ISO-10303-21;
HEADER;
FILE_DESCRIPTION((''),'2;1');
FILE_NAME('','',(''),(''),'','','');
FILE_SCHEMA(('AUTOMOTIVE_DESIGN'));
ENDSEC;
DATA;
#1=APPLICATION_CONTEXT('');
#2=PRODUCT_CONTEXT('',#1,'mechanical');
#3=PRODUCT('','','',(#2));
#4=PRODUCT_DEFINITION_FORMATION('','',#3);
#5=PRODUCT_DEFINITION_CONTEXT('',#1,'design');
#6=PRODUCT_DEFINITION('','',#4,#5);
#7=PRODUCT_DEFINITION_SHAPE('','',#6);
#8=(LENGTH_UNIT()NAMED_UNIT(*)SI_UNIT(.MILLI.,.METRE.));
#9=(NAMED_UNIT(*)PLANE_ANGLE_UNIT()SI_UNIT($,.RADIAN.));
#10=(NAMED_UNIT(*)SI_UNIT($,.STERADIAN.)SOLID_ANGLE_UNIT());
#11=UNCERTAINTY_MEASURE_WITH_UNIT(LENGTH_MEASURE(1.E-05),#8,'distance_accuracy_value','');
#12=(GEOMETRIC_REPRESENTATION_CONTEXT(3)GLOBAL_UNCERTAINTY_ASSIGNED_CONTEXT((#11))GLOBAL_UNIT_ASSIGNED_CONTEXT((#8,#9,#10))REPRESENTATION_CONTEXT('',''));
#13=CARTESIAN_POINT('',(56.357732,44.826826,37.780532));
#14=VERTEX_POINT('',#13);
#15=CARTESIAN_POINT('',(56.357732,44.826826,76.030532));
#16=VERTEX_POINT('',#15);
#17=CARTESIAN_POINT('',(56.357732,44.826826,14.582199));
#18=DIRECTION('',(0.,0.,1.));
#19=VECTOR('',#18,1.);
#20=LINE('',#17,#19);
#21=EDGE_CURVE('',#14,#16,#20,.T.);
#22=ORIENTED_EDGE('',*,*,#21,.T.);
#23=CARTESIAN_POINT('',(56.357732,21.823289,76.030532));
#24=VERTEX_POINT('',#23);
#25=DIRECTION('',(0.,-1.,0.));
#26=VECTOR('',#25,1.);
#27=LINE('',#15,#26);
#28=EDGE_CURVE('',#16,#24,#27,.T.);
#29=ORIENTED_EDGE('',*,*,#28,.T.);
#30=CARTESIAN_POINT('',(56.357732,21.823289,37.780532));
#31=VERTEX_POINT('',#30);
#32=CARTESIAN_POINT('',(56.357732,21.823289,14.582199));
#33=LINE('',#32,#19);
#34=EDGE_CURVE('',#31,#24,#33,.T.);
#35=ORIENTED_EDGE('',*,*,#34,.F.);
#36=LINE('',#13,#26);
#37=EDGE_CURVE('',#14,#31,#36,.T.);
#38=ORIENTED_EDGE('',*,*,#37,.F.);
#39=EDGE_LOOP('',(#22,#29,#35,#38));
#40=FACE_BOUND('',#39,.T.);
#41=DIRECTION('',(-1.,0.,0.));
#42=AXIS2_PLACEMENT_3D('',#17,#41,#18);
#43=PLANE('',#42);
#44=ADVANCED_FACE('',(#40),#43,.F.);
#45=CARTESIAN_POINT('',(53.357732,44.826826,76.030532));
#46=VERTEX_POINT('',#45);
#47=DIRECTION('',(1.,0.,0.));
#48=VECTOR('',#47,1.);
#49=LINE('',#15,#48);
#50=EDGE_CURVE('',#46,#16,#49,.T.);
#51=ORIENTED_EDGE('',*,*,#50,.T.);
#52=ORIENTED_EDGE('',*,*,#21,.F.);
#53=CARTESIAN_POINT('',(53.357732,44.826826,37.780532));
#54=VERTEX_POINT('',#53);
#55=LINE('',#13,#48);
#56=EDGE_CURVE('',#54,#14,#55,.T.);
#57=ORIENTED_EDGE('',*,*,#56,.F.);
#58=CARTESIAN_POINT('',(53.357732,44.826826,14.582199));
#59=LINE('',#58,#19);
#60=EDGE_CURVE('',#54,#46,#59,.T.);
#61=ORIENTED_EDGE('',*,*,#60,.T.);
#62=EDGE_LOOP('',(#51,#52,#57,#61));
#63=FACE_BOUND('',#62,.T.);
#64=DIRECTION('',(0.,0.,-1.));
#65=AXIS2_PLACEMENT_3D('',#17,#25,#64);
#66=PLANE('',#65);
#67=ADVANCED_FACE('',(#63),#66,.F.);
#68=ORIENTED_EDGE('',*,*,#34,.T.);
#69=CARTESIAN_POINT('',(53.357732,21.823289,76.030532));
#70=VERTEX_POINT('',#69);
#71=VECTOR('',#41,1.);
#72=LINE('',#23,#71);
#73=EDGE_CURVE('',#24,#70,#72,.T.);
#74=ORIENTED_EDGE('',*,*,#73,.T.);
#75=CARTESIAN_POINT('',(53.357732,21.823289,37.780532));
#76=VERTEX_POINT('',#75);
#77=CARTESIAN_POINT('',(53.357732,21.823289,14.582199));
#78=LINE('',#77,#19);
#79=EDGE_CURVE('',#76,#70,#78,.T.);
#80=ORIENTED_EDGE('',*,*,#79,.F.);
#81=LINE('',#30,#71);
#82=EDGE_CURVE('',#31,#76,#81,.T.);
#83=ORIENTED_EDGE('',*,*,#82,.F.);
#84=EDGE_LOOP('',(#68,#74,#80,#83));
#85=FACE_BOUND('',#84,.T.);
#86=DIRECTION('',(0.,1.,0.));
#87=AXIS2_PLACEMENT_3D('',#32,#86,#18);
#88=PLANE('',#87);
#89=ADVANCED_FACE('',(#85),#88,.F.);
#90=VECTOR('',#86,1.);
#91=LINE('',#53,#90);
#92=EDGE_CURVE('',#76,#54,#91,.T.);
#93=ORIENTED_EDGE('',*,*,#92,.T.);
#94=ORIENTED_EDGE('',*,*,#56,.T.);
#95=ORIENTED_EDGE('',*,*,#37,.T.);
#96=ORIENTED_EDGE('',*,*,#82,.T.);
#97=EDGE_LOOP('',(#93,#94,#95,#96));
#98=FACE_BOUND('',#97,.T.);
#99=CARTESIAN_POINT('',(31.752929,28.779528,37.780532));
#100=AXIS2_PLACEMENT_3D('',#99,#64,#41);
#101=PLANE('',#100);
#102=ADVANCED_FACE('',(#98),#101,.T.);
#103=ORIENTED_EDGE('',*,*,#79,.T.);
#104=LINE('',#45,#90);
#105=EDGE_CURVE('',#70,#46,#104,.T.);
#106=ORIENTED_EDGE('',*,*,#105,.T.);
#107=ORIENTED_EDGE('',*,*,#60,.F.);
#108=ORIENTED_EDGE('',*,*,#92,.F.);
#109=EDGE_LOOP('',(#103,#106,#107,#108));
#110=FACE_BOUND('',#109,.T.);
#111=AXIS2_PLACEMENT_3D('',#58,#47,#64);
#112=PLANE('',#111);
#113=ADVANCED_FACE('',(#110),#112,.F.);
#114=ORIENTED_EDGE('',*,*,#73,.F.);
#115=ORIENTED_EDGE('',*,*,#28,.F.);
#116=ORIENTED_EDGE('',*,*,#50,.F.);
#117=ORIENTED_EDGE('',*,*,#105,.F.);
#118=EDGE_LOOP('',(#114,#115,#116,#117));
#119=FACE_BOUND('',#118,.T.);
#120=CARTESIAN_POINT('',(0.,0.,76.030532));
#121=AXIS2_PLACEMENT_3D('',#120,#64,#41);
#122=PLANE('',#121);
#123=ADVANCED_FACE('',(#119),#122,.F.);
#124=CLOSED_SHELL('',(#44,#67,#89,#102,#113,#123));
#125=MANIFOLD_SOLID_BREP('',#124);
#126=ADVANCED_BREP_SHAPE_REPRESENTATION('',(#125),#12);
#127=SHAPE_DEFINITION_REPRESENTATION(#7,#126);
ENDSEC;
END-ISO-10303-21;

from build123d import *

# Parameters (mm, degrees)
SKETCH1_W           = 3
SKETCH1_H           = 23.003536126
BOSS_EXTRUDE1_DEPTH = 38.25


with BuildPart() as part:
    # Sketch1 → Boss-Extrude1 (new body)
    with BuildSketch(Plane(origin=(0, 0, 76.030531955), x_dir=(-1, 0, 0), z_dir=(0, 0, -1))):
        with Locations((-54.857732215, 33.325057501)):
            Rectangle(SKETCH1_W, SKETCH1_H)
    extrude(amount=BOSS_EXTRUDE1_DEPTH)


solid = part.part
